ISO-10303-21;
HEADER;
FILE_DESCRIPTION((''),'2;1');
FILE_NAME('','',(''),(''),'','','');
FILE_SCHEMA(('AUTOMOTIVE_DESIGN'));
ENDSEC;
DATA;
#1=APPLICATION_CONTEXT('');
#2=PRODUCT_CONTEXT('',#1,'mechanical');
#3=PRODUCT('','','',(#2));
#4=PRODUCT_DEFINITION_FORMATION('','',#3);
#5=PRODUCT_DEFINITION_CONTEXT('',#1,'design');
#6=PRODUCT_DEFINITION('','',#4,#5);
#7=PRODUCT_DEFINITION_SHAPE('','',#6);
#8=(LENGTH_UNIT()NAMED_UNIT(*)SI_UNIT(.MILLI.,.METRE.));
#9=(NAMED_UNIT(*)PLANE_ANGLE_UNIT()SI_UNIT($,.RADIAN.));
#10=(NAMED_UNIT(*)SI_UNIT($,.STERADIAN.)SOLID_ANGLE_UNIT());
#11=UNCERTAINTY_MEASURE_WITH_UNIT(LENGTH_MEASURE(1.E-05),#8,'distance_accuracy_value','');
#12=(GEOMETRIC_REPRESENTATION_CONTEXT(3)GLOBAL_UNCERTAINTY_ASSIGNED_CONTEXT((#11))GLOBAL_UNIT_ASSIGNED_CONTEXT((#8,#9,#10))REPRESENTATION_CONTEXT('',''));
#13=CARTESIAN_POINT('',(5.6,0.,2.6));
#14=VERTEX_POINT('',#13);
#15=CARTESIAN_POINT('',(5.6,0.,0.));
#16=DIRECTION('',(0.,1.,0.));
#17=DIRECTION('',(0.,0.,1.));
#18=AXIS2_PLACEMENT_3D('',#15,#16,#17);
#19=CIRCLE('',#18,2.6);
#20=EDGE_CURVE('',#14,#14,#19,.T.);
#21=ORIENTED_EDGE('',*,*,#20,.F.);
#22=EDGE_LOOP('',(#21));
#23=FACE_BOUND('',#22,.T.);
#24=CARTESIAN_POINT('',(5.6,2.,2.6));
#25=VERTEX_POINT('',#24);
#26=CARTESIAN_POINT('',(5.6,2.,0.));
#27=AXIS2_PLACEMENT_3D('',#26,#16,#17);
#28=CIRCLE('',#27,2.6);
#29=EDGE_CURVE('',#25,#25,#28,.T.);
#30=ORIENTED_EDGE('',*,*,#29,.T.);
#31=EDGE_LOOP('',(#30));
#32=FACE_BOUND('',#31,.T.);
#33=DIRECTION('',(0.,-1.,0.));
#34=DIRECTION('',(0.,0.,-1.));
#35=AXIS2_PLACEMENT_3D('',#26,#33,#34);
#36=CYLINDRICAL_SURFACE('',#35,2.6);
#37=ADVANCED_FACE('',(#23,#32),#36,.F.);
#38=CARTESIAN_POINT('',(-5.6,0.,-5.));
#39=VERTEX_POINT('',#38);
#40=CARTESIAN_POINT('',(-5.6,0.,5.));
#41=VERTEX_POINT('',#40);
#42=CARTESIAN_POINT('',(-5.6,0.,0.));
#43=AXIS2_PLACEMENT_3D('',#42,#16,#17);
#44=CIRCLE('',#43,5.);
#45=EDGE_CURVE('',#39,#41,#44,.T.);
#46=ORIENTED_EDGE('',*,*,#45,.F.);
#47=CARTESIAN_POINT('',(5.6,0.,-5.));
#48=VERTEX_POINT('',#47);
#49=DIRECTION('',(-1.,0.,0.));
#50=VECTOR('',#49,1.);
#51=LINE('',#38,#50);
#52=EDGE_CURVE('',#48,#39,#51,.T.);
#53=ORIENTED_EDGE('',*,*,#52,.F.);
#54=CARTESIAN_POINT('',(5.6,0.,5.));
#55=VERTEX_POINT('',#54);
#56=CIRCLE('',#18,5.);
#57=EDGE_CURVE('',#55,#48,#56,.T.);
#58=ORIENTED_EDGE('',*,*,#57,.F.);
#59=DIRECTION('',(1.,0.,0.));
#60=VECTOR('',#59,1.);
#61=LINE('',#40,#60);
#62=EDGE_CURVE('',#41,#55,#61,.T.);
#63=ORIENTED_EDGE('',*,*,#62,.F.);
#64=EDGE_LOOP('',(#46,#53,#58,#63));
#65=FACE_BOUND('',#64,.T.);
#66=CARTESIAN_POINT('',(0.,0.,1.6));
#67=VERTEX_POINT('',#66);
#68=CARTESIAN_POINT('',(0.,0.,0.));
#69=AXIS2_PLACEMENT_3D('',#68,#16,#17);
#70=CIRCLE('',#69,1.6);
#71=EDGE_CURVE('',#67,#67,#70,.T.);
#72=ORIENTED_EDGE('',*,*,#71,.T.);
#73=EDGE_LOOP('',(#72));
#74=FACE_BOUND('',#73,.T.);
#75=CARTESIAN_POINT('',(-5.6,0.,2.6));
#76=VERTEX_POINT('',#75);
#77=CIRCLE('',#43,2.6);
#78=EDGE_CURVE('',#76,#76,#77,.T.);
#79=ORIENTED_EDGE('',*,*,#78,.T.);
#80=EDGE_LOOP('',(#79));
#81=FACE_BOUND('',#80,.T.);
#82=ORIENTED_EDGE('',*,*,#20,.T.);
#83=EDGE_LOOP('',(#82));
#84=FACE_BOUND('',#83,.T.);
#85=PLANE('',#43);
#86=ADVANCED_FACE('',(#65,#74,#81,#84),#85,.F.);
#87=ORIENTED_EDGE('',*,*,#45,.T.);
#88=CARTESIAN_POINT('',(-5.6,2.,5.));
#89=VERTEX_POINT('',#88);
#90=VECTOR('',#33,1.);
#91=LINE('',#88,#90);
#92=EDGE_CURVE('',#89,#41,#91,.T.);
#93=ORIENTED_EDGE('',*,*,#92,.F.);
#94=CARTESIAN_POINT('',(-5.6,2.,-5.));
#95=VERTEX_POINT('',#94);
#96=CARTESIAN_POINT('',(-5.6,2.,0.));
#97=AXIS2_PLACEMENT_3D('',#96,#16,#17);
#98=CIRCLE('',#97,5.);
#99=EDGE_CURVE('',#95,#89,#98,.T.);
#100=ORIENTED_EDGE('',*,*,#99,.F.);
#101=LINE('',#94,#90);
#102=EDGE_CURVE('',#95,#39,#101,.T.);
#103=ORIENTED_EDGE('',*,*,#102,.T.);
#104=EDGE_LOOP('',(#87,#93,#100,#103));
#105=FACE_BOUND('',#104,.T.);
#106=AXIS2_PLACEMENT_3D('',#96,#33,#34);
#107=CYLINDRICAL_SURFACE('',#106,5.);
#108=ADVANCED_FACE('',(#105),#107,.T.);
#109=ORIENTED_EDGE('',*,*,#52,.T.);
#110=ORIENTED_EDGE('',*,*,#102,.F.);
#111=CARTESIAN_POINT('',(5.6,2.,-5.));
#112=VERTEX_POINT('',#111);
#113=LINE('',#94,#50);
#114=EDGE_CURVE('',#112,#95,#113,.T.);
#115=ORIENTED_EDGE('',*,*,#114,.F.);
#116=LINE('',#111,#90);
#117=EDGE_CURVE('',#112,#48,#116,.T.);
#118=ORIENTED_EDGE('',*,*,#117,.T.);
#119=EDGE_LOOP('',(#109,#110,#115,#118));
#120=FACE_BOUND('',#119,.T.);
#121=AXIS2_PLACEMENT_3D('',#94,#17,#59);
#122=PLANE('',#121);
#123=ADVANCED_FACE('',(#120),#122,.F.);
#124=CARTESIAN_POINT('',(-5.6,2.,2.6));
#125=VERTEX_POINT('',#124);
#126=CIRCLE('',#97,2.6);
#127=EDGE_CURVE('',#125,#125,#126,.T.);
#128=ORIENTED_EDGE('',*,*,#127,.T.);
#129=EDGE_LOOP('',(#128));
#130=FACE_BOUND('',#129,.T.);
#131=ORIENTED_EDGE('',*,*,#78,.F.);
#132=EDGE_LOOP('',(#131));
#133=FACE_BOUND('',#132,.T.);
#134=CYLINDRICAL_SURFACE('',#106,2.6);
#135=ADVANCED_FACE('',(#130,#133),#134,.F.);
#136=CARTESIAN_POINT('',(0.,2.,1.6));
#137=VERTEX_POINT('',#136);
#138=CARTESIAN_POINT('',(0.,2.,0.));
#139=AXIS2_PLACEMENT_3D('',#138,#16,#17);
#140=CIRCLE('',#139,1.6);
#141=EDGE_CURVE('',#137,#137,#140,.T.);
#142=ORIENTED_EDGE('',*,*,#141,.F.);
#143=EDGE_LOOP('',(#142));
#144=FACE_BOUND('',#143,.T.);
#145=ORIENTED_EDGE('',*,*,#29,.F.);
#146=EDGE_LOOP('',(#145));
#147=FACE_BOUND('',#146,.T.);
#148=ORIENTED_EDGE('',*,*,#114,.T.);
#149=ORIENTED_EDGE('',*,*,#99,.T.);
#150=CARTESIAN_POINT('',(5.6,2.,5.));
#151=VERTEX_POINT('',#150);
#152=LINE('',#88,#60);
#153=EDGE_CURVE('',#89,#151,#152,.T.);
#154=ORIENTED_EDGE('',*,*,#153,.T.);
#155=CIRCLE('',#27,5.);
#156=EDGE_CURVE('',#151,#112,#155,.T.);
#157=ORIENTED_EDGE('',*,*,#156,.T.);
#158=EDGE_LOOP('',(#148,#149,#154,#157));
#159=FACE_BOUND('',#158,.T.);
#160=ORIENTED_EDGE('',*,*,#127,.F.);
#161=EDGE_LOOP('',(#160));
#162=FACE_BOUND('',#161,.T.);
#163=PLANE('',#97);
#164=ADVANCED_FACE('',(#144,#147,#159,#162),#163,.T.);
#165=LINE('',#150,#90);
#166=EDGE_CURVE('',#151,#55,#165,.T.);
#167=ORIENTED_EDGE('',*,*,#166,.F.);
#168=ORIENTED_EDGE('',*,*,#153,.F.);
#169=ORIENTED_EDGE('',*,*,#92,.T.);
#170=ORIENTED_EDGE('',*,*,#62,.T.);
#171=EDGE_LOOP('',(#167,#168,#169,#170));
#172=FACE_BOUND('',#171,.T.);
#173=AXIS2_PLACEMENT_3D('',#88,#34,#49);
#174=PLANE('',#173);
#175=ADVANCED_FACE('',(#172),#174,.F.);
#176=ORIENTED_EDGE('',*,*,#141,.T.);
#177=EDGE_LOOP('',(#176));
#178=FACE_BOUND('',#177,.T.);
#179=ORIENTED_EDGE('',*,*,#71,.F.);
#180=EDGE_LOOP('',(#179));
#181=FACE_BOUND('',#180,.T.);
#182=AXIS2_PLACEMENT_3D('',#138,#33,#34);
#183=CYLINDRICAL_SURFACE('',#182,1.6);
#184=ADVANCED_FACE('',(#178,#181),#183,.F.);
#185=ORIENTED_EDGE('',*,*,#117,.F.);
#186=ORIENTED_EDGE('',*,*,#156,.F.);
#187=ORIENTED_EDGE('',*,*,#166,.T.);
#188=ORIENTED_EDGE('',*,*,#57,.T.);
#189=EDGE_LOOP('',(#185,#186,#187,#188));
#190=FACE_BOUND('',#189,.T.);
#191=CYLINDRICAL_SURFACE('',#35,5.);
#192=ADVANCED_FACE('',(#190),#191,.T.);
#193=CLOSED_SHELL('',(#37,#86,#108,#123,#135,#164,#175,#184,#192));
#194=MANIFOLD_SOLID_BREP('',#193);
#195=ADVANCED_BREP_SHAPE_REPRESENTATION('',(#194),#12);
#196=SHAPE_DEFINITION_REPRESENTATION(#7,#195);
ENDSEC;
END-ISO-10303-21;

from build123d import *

# Parameters (mm, degrees)
SKETCH_1_R      = 2.6
SKETCH_1_R_2    = 1.6
EXTRUDE_1_DEPTH = 2


with BuildPart() as part:
    # ｽｹｯﾁ1 → ﾎﾞｽ - 押し出し1 (new body)
    with BuildSketch(Plane(origin=(0, 0, 0), x_dir=(1, 0, 0), z_dir=(0, 1, 0))):
        with BuildLine():
            Line((-5.6, 5), (5.6, 5))
            ThreePointArc((5.6, 5), (10.6, 0), (5.6, -5))
            Line((5.6, -5), (-5.6, -5))
            ThreePointArc((-5.6, -5), (-10.6, 0), (-5.6, 5))
        make_face()
        with Locations(Location((-5.6, 0, 0), (0, 0, 270))):
            Circle(SKETCH_1_R, mode=Mode.SUBTRACT)
        with Locations(Location((5.6, 0, 0), (0, 0, 270))):
            Circle(SKETCH_1_R, mode=Mode.SUBTRACT)
        with Locations(Location((0, 0, 0), (0, 0, 270))):
            Circle(SKETCH_1_R_2, mode=Mode.SUBTRACT)
    extrude(amount=EXTRUDE_1_DEPTH)


solid = part.part
